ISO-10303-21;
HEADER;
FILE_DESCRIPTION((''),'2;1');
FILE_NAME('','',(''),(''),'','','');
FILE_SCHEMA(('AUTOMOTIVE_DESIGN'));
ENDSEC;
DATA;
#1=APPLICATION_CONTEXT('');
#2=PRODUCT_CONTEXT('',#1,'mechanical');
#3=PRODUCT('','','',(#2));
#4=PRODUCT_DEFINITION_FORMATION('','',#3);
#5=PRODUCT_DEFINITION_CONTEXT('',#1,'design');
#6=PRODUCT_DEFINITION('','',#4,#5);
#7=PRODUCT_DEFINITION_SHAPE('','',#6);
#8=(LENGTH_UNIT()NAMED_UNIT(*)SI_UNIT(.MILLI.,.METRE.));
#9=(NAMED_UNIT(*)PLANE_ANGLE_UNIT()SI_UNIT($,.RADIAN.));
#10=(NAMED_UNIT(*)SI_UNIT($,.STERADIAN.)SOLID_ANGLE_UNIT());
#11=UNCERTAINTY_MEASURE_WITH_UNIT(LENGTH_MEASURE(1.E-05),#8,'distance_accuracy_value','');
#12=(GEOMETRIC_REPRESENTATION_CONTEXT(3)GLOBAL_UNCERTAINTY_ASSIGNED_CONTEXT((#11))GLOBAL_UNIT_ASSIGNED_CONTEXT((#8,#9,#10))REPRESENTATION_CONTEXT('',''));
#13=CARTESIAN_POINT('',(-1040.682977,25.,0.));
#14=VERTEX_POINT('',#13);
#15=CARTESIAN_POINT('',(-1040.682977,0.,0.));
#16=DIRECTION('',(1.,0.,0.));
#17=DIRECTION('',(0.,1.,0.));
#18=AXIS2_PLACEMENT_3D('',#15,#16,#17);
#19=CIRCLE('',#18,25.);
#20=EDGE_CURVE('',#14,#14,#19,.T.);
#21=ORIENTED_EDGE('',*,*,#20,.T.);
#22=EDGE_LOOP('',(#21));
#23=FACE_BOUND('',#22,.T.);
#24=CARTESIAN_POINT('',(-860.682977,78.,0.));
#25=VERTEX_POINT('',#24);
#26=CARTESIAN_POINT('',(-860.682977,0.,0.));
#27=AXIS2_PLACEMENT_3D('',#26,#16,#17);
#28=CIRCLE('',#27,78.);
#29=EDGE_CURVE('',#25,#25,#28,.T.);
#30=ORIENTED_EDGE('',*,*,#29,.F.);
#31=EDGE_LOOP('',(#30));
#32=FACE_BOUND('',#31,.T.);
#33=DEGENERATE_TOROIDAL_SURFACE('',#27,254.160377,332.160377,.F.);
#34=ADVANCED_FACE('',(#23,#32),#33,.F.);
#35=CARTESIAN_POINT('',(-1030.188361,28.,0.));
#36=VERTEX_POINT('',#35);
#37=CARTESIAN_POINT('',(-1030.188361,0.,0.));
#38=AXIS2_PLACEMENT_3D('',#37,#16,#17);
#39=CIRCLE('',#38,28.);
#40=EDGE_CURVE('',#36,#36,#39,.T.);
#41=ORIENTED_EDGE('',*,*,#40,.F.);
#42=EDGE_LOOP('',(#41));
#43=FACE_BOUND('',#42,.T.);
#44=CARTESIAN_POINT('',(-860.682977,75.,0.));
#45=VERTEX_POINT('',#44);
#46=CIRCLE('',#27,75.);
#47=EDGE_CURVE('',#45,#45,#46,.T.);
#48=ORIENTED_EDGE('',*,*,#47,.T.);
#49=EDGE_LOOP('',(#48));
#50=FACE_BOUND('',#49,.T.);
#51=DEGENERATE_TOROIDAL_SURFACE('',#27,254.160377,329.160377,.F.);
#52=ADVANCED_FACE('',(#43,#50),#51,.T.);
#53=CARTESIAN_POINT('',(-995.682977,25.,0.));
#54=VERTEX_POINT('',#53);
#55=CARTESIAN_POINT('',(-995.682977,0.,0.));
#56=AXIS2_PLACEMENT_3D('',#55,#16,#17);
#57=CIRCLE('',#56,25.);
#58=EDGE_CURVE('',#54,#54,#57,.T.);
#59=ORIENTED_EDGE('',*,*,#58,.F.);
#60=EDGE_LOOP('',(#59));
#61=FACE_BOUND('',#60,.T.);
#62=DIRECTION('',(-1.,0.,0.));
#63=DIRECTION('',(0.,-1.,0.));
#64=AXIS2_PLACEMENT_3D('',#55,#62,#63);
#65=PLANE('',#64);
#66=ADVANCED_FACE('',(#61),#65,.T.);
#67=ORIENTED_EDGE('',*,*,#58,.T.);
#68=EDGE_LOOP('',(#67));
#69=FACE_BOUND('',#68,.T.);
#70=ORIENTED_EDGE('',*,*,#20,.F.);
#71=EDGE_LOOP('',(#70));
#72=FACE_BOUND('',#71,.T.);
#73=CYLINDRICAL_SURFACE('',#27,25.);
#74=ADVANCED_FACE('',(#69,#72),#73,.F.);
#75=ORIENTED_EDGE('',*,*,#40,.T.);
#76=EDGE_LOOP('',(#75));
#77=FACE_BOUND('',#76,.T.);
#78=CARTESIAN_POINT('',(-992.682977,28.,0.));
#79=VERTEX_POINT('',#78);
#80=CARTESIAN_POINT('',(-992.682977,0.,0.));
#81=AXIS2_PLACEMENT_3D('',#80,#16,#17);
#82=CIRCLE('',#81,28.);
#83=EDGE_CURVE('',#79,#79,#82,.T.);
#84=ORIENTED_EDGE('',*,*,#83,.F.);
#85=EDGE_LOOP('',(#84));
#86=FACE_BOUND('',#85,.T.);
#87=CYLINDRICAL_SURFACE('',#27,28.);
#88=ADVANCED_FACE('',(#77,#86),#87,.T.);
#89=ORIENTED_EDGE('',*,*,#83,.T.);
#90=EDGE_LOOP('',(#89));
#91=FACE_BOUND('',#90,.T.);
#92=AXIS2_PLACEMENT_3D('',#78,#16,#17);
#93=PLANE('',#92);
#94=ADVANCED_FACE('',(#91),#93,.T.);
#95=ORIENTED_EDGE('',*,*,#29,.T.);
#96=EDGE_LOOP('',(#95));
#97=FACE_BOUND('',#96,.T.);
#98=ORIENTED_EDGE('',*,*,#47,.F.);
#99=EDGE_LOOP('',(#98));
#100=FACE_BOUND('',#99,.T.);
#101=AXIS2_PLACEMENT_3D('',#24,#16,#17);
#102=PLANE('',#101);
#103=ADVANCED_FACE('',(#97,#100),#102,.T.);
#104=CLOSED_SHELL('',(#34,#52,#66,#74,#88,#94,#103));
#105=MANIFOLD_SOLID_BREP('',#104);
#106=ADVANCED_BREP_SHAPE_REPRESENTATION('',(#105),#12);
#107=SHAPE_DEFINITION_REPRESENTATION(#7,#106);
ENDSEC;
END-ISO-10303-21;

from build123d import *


with BuildPart() as part:
    # Sketch1 → Revolve1 (revolve)
    with BuildSketch(Plane.XY):
        with BuildLine():
            Line((-860.682976555, 78), (-860.682976555, 75))
            ThreePointArc((-860.682976555, 75), (-948.633353859, 63.032442792), (-1030.188361342, 28))
            Line((-1030.188361342, 28), (-992.682976555, 28))
            Line((-992.682976555, 28), (-992.682976555, 0))
            Line((-992.682976555, 0), (-995.682976555, 0))
            Line((-995.682976555, 0), (-995.682976555, 25))
            Line((-995.682976555, 25), (-1040.682976555, 25))
            ThreePointArc((-1040.682976555, 25), (-954.503283525, 64.474627446), (-860.682976555, 78))
        make_face()
    revolve(axis=Axis((-860.682976555, 0, 0), (-1, 0, 0)))


solid = part.part
